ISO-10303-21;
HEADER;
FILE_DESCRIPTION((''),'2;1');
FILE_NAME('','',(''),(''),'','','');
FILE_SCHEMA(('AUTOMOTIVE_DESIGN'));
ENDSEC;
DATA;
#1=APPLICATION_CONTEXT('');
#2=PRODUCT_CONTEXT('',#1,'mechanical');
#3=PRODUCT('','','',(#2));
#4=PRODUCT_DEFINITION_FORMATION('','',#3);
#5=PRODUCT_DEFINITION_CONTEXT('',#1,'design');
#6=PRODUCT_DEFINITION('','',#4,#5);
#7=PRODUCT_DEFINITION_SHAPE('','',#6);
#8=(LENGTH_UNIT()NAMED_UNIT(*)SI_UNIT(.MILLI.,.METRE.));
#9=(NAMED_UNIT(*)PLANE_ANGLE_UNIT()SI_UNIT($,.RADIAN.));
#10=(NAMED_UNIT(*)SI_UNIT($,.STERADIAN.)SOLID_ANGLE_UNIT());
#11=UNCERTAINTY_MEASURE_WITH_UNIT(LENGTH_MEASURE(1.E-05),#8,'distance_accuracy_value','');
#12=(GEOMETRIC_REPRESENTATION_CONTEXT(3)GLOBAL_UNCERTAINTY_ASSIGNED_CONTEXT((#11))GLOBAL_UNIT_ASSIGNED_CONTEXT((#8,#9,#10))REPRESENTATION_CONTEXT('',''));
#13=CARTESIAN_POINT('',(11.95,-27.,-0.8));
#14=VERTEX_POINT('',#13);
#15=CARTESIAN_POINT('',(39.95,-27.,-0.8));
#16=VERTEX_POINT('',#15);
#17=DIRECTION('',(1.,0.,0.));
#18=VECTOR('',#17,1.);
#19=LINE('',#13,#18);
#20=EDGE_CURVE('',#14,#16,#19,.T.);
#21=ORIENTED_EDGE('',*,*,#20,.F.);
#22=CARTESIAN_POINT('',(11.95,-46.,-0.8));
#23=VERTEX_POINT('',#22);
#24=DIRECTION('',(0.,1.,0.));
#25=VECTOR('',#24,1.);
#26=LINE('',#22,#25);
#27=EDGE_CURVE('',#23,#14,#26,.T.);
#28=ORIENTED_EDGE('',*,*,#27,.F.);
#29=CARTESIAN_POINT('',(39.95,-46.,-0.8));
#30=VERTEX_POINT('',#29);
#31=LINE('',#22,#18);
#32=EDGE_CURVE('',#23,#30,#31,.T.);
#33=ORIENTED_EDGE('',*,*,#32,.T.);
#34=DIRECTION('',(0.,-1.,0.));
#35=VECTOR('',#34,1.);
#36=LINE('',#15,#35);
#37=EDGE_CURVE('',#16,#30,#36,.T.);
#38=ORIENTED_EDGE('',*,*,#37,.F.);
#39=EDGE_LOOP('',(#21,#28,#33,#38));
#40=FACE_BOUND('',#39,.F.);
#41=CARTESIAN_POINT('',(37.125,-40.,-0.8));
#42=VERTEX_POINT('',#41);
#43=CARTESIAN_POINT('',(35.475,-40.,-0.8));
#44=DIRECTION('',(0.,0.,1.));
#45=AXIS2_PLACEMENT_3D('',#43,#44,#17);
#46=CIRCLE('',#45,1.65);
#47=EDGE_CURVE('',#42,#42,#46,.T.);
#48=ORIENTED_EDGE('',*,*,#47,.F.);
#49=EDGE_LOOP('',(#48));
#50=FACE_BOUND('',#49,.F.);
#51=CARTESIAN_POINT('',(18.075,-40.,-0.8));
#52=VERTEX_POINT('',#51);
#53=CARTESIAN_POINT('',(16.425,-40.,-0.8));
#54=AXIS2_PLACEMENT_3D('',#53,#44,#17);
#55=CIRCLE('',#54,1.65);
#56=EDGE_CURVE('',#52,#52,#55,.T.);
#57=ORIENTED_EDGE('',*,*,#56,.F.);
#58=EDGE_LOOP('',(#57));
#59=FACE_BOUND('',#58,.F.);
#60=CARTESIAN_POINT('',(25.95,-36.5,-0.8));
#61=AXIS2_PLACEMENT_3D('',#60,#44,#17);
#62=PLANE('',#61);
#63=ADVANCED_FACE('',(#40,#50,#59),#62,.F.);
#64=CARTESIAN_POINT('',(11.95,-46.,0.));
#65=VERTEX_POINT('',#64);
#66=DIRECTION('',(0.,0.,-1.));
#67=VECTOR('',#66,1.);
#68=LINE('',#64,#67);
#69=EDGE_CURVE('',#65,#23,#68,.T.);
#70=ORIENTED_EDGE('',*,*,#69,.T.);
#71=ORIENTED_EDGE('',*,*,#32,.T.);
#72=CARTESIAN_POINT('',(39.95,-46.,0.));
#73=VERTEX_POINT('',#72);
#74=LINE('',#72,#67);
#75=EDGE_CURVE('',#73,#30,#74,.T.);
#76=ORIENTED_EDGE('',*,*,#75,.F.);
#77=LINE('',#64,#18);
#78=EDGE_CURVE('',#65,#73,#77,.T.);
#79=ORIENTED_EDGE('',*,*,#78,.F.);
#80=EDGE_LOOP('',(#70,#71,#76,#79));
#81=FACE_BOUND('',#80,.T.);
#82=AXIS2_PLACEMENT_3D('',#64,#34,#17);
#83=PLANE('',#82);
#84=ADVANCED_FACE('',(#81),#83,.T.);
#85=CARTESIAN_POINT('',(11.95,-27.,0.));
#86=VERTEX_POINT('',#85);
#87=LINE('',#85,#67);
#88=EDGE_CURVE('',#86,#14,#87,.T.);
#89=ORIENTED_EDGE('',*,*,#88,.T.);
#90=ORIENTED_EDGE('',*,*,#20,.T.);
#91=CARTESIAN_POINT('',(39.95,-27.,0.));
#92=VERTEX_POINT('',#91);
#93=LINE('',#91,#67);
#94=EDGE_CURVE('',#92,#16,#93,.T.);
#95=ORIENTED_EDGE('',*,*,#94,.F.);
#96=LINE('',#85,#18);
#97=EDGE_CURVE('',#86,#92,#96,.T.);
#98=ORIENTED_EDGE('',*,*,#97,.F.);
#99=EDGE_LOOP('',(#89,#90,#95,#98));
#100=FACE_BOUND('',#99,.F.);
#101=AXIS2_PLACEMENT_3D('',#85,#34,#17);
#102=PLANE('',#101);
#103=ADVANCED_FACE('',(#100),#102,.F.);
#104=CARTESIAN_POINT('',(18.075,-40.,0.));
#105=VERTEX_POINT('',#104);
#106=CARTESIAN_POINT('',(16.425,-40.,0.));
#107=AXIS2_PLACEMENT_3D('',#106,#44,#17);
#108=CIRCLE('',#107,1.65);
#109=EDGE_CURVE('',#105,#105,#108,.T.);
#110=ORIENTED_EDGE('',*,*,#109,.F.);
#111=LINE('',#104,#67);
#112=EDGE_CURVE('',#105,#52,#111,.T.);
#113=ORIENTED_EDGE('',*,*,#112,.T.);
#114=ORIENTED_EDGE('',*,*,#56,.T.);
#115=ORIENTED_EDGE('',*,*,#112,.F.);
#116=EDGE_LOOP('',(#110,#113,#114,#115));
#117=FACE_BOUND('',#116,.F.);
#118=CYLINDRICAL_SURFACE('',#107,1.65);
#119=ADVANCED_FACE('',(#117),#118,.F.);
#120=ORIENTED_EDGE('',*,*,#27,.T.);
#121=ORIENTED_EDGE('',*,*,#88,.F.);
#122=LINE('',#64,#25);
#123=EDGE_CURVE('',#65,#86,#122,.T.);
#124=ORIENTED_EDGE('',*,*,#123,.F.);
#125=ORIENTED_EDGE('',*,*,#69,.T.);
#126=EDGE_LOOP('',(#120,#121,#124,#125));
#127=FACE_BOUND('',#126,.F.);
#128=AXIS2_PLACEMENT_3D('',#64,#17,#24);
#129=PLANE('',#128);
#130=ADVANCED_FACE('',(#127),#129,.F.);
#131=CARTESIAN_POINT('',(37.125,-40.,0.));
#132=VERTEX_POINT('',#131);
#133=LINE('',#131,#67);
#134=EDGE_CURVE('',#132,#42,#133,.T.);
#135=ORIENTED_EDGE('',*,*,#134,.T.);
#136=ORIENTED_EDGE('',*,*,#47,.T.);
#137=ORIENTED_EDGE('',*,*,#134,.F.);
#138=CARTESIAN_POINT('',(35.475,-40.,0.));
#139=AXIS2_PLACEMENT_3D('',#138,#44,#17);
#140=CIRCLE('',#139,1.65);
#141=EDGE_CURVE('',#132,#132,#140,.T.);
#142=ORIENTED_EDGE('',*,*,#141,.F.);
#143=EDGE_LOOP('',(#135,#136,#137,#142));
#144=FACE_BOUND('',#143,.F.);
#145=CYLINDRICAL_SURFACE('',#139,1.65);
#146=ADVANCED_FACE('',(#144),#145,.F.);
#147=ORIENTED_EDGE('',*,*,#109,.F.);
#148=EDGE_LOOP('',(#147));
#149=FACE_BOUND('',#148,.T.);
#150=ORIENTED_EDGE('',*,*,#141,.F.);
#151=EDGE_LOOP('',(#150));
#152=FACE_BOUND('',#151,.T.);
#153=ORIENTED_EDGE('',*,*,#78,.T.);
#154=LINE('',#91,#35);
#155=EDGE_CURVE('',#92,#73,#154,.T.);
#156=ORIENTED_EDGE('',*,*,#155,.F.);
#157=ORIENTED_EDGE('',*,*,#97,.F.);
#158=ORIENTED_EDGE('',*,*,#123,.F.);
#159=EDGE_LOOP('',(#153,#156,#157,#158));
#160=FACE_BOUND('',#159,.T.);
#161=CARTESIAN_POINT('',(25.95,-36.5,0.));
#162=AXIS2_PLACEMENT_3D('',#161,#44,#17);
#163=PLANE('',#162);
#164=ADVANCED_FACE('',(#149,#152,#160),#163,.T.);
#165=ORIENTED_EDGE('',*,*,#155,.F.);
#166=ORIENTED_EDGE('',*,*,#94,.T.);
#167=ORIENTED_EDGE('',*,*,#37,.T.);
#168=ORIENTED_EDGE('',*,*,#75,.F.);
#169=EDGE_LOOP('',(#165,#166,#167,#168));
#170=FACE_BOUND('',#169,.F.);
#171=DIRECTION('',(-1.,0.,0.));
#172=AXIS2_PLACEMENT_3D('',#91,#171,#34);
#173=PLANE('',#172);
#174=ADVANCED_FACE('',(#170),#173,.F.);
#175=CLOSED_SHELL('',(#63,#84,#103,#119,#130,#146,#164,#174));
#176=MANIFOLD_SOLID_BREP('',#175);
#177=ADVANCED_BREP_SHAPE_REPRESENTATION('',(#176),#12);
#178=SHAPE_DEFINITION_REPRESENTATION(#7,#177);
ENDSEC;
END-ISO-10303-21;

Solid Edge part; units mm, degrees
sketch "Sketch1" plane through (0, 0, 0) normal (0, 0, 1) x (1, 0, 0)
  circle A0 centre (35.475, -40) radius 1.65
  circle A1 centre (16.425, -40) radius 1.65
  line L0 (11.95, -46) -> (39.95, -46)
  line L1 (39.95, -27) -> (39.95, -46)
  line L2 (11.95, -27) -> (39.95, -27)
  line L3 (11.95, -46) -> (11.95, -27)
  dimension "D1" = 19.05
extrude "Protrusion1" add sketch "Sketch1" against normal blind 0.8
properties material "ABS Plastic, high impact"
